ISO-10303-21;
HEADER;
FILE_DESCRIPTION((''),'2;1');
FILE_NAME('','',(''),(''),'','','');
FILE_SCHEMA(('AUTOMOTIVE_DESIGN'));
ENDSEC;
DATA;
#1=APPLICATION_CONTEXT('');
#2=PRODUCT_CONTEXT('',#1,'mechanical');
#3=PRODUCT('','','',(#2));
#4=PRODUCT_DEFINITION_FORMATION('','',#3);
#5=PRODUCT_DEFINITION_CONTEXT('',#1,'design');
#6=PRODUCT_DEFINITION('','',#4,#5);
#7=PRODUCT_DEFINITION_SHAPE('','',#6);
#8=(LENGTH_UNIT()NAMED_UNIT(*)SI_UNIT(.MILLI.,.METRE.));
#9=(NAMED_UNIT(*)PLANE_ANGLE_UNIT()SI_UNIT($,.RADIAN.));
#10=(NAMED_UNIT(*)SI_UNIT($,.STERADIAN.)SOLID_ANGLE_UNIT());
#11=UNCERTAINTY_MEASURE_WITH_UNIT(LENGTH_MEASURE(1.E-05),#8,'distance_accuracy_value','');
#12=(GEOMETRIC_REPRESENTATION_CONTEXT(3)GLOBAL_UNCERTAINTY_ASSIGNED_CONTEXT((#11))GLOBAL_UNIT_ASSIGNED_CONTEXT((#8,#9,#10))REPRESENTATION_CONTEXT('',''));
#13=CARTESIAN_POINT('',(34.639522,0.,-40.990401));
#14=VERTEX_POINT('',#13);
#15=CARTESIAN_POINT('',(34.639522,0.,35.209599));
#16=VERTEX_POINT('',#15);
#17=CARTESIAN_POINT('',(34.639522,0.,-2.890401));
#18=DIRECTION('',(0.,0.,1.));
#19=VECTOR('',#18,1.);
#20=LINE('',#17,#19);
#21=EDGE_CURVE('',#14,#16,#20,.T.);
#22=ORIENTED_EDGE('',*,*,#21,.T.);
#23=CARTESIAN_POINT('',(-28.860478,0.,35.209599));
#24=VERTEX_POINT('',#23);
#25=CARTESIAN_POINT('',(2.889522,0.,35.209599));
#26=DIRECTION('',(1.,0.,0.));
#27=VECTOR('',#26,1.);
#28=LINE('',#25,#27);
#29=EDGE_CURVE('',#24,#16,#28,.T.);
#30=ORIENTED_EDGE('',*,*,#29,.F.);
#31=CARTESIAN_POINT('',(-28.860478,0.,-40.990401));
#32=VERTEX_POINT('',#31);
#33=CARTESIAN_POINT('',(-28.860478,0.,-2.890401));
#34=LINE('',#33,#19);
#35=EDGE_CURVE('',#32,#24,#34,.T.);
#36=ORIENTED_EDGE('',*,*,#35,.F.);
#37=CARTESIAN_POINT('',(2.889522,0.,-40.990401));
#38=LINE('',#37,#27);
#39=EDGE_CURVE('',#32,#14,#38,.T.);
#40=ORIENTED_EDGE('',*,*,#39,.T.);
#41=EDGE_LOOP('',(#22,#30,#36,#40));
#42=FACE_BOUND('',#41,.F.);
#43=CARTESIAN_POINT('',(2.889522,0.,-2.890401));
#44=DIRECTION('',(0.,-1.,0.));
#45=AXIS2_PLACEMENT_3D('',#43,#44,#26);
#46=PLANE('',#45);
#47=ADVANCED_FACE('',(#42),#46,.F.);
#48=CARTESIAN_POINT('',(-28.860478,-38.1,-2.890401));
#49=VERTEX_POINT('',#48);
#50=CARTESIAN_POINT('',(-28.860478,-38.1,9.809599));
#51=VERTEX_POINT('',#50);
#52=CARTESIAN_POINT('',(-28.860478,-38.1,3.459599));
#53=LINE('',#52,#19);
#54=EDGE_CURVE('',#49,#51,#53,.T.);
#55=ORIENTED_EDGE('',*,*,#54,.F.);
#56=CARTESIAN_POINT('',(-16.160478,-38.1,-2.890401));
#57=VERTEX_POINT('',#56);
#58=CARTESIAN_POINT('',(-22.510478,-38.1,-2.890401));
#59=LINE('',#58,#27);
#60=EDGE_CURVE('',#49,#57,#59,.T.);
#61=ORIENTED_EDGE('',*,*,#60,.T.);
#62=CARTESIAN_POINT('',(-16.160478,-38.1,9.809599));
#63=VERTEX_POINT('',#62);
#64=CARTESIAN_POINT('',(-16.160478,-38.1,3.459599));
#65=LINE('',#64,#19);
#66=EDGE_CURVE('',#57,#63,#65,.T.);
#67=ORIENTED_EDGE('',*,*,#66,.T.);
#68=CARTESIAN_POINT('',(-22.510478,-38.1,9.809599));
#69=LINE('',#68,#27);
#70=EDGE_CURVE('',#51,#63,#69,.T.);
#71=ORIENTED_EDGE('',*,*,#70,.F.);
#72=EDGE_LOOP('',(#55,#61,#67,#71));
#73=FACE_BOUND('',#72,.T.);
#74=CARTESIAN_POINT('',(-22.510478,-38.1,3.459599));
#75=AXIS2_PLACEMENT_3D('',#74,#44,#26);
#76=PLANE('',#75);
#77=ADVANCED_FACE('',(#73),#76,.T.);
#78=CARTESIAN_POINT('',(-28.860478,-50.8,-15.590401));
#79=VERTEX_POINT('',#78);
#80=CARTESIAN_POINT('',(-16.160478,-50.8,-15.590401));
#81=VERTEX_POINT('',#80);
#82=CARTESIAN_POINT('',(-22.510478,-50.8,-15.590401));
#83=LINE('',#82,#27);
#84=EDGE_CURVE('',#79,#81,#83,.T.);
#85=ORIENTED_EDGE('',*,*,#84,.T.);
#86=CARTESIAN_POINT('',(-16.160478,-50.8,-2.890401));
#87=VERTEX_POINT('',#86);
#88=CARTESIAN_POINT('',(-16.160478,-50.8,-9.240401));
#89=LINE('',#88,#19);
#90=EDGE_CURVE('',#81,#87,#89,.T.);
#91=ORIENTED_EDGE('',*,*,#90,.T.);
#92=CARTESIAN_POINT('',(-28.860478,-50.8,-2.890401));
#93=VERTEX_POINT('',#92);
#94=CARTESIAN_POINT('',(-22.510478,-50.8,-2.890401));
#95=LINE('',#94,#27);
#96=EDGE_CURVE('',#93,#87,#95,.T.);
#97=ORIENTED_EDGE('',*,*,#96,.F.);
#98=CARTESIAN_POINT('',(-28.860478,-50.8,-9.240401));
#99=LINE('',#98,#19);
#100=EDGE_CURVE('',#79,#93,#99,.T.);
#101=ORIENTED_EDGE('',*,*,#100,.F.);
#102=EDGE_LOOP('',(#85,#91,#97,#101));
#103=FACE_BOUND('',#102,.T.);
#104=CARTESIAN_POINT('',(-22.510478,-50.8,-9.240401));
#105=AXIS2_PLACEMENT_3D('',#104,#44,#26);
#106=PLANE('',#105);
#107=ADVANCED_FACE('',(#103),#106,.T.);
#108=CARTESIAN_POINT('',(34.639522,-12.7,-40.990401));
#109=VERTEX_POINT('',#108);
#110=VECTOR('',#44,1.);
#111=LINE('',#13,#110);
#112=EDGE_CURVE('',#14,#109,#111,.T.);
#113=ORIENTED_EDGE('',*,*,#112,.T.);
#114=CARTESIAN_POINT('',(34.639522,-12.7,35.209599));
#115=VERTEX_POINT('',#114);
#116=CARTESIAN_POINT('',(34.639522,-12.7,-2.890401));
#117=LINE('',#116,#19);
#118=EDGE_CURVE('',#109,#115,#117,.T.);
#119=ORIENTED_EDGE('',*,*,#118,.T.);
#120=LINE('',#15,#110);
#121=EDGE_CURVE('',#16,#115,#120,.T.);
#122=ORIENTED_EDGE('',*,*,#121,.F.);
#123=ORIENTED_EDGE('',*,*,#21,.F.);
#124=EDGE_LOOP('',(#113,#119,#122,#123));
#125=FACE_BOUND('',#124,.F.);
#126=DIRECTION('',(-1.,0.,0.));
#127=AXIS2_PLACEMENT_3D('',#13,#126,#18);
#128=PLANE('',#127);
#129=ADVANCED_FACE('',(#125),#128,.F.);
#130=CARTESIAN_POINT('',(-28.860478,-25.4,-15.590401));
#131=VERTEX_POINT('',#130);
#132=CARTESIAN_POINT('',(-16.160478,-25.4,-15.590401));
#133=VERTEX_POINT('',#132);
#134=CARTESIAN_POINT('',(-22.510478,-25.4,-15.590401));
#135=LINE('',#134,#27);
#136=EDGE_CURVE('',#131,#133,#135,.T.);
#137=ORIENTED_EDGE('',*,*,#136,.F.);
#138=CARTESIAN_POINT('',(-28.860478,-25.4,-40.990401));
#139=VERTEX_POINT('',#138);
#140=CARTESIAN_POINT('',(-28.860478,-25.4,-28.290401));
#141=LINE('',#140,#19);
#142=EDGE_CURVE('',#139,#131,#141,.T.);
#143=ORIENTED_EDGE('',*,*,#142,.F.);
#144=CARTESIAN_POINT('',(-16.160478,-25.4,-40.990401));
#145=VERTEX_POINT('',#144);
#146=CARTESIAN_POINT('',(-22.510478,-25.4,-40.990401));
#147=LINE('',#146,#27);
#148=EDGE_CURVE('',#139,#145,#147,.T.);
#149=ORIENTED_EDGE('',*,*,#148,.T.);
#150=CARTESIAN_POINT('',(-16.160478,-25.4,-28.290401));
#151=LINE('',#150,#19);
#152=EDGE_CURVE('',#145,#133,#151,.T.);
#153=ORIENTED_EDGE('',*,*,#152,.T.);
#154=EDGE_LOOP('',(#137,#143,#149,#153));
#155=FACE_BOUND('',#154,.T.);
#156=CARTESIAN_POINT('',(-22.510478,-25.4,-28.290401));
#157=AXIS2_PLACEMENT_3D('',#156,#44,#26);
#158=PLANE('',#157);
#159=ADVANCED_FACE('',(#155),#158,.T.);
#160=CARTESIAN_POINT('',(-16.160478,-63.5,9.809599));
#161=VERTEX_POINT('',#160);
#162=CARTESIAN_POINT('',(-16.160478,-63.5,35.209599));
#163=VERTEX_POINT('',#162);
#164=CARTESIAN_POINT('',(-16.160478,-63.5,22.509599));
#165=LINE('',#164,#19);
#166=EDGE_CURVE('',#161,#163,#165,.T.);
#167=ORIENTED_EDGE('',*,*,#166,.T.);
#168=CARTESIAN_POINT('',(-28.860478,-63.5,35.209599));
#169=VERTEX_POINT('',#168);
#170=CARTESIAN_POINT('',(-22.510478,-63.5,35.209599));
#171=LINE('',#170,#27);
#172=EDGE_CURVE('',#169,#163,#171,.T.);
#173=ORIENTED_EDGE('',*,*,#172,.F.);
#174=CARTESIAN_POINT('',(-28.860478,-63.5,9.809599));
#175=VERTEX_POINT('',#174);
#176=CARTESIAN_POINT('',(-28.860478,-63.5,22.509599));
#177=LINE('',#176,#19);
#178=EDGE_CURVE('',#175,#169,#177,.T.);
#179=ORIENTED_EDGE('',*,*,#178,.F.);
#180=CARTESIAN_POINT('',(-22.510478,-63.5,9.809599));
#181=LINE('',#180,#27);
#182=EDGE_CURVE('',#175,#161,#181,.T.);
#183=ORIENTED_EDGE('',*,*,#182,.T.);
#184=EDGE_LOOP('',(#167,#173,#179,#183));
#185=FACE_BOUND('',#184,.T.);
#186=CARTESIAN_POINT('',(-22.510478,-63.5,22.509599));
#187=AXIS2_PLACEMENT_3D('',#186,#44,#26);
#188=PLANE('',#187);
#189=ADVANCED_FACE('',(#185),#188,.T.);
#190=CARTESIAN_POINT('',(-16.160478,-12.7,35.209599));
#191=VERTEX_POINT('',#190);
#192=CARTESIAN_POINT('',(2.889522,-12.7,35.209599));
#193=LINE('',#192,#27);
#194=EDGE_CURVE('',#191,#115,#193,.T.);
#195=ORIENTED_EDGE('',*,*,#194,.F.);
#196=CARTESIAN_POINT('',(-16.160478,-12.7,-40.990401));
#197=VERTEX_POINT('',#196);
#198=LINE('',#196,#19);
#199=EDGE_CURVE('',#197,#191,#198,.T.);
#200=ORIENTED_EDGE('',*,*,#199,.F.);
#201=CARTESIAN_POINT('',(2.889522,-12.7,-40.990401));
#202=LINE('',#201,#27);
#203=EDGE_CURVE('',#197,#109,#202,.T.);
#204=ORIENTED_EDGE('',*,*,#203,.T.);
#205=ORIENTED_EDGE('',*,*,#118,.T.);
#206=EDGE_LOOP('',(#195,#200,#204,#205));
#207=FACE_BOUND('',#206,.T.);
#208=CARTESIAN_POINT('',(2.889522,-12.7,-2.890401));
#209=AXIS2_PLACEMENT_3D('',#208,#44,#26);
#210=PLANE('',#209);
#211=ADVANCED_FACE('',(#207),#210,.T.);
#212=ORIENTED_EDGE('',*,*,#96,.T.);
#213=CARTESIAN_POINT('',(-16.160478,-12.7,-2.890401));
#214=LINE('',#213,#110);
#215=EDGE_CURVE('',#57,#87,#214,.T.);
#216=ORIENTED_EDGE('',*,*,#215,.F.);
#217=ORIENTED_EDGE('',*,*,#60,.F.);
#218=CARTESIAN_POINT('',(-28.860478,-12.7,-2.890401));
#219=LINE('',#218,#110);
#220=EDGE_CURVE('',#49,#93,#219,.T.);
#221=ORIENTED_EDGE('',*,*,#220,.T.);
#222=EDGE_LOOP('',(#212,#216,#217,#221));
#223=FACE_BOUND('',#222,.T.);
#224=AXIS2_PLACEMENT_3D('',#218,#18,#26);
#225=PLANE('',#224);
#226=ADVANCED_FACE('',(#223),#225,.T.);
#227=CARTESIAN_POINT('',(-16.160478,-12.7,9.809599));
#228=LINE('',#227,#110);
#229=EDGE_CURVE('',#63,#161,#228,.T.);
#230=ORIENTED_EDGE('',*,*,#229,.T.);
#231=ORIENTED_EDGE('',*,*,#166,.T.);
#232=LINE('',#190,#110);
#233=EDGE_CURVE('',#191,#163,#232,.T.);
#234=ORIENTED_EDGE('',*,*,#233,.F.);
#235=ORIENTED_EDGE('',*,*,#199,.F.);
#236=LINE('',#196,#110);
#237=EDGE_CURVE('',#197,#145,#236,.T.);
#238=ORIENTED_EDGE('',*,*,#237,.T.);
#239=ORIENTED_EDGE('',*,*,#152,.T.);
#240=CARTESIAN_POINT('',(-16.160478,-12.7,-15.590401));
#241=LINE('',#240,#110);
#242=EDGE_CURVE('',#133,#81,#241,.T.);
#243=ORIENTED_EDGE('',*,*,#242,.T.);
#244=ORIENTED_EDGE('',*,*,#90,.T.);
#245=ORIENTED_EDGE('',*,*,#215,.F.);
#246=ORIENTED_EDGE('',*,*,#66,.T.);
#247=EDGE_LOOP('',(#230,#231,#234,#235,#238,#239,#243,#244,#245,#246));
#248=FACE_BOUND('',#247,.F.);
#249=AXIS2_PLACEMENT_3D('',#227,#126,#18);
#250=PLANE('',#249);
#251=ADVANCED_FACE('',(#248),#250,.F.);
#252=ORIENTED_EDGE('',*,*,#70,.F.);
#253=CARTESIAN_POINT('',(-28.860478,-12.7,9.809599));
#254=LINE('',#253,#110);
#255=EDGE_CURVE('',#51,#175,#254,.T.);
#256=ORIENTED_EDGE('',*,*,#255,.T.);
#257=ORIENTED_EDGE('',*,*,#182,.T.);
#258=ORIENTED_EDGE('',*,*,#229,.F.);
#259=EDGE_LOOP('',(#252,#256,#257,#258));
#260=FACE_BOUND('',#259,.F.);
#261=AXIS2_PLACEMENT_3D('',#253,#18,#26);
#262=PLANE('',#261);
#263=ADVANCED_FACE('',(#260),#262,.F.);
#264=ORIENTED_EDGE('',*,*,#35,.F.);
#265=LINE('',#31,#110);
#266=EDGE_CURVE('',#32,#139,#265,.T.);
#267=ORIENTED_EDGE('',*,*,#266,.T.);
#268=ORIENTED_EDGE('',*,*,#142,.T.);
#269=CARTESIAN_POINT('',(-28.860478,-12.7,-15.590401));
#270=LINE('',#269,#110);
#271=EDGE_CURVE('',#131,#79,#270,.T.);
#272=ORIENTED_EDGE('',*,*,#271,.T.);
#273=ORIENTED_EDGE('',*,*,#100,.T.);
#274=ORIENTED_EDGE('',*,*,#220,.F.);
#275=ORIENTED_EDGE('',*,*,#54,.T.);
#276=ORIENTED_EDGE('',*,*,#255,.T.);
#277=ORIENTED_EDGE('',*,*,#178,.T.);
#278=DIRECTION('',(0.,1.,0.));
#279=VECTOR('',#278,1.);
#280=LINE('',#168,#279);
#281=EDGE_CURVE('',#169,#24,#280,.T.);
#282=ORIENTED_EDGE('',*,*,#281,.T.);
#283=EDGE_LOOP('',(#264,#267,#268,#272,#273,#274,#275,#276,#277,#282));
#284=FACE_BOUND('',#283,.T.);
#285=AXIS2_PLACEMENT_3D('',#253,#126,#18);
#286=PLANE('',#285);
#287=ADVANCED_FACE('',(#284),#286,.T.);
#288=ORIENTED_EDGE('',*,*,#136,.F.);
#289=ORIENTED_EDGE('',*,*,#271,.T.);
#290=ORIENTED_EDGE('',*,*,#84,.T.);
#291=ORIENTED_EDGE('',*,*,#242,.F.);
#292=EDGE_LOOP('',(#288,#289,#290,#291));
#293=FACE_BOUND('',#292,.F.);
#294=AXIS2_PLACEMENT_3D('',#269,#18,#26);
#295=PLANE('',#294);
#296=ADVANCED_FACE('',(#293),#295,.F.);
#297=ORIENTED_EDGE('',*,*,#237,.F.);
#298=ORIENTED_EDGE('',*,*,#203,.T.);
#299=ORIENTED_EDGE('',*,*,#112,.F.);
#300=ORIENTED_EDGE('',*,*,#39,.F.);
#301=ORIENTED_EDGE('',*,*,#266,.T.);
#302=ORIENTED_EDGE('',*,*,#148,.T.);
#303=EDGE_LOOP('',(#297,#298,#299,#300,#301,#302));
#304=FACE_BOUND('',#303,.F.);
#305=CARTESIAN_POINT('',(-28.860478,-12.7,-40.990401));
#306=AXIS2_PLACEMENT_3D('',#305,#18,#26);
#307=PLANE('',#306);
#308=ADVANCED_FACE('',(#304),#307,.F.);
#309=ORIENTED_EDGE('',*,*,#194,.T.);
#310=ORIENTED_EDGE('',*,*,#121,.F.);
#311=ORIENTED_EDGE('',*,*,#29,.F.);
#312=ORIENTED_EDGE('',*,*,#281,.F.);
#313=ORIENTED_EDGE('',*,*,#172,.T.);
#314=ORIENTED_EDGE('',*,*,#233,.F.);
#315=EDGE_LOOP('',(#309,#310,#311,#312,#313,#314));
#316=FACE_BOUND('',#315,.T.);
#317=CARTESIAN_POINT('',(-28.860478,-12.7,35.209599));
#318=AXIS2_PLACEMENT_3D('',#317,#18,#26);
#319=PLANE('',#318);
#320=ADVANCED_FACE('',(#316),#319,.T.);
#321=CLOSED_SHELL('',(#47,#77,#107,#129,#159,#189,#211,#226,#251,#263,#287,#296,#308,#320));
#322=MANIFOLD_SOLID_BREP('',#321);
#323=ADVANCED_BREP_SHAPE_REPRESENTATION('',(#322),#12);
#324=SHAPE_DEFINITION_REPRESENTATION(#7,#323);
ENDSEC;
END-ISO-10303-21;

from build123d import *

# Parameters (mm, degrees)
F0_W     = 63.5
F0_H     = 76.2
F1_DEPTH = 12.7
F2_W     = 12.7
F2_H     = 25.4
F3_DEPTH = 12.7
F4_W     = 12.7
F4_H     = 12.7
F5_DEPTH = 38.1
F6_W     = 12.7
F6_H     = 12.7
F7_DEPTH = 25.4
F8_W     = 12.7
F8_H     = 25.4
F9_DEPTH = 50.8


with BuildPart() as f1:
    # F0 (on Front) → F1 (new body)
    with BuildSketch(Plane.XZ):
        with Locations((2.889522, -2.890401)):
            Rectangle(F0_W, F0_H)
    extrude(amount=F1_DEPTH)

    # F2 (on face) → F3 (join)
    with BuildSketch(Plane.XZ.offset(12.7)):
        with Locations((-22.510478, -28.290401)):
            Rectangle(F2_W, F2_H)
    extrude(amount=F3_DEPTH)

    # F4 (on face) → F5 (join)
    with BuildSketch(Plane.XZ.offset(12.7)):
        with Locations((-22.510478, -9.240401)):
            Rectangle(F4_W, F4_H)
    extrude(amount=F5_DEPTH)

    # F6 (on face) → F7 (join)
    with BuildSketch(Plane.XZ.offset(12.7)):
        with Locations((-22.510478, 3.459599)):
            Rectangle(F6_W, F6_H)
    extrude(amount=F7_DEPTH)

    # F8 (on face) → F9 (join)
    with BuildSketch(Plane.XZ.offset(12.7)):
        with Locations((-22.510478, 22.509599)):
            Rectangle(F8_W, F8_H)
    extrude(amount=F9_DEPTH)


solid = f1.part
